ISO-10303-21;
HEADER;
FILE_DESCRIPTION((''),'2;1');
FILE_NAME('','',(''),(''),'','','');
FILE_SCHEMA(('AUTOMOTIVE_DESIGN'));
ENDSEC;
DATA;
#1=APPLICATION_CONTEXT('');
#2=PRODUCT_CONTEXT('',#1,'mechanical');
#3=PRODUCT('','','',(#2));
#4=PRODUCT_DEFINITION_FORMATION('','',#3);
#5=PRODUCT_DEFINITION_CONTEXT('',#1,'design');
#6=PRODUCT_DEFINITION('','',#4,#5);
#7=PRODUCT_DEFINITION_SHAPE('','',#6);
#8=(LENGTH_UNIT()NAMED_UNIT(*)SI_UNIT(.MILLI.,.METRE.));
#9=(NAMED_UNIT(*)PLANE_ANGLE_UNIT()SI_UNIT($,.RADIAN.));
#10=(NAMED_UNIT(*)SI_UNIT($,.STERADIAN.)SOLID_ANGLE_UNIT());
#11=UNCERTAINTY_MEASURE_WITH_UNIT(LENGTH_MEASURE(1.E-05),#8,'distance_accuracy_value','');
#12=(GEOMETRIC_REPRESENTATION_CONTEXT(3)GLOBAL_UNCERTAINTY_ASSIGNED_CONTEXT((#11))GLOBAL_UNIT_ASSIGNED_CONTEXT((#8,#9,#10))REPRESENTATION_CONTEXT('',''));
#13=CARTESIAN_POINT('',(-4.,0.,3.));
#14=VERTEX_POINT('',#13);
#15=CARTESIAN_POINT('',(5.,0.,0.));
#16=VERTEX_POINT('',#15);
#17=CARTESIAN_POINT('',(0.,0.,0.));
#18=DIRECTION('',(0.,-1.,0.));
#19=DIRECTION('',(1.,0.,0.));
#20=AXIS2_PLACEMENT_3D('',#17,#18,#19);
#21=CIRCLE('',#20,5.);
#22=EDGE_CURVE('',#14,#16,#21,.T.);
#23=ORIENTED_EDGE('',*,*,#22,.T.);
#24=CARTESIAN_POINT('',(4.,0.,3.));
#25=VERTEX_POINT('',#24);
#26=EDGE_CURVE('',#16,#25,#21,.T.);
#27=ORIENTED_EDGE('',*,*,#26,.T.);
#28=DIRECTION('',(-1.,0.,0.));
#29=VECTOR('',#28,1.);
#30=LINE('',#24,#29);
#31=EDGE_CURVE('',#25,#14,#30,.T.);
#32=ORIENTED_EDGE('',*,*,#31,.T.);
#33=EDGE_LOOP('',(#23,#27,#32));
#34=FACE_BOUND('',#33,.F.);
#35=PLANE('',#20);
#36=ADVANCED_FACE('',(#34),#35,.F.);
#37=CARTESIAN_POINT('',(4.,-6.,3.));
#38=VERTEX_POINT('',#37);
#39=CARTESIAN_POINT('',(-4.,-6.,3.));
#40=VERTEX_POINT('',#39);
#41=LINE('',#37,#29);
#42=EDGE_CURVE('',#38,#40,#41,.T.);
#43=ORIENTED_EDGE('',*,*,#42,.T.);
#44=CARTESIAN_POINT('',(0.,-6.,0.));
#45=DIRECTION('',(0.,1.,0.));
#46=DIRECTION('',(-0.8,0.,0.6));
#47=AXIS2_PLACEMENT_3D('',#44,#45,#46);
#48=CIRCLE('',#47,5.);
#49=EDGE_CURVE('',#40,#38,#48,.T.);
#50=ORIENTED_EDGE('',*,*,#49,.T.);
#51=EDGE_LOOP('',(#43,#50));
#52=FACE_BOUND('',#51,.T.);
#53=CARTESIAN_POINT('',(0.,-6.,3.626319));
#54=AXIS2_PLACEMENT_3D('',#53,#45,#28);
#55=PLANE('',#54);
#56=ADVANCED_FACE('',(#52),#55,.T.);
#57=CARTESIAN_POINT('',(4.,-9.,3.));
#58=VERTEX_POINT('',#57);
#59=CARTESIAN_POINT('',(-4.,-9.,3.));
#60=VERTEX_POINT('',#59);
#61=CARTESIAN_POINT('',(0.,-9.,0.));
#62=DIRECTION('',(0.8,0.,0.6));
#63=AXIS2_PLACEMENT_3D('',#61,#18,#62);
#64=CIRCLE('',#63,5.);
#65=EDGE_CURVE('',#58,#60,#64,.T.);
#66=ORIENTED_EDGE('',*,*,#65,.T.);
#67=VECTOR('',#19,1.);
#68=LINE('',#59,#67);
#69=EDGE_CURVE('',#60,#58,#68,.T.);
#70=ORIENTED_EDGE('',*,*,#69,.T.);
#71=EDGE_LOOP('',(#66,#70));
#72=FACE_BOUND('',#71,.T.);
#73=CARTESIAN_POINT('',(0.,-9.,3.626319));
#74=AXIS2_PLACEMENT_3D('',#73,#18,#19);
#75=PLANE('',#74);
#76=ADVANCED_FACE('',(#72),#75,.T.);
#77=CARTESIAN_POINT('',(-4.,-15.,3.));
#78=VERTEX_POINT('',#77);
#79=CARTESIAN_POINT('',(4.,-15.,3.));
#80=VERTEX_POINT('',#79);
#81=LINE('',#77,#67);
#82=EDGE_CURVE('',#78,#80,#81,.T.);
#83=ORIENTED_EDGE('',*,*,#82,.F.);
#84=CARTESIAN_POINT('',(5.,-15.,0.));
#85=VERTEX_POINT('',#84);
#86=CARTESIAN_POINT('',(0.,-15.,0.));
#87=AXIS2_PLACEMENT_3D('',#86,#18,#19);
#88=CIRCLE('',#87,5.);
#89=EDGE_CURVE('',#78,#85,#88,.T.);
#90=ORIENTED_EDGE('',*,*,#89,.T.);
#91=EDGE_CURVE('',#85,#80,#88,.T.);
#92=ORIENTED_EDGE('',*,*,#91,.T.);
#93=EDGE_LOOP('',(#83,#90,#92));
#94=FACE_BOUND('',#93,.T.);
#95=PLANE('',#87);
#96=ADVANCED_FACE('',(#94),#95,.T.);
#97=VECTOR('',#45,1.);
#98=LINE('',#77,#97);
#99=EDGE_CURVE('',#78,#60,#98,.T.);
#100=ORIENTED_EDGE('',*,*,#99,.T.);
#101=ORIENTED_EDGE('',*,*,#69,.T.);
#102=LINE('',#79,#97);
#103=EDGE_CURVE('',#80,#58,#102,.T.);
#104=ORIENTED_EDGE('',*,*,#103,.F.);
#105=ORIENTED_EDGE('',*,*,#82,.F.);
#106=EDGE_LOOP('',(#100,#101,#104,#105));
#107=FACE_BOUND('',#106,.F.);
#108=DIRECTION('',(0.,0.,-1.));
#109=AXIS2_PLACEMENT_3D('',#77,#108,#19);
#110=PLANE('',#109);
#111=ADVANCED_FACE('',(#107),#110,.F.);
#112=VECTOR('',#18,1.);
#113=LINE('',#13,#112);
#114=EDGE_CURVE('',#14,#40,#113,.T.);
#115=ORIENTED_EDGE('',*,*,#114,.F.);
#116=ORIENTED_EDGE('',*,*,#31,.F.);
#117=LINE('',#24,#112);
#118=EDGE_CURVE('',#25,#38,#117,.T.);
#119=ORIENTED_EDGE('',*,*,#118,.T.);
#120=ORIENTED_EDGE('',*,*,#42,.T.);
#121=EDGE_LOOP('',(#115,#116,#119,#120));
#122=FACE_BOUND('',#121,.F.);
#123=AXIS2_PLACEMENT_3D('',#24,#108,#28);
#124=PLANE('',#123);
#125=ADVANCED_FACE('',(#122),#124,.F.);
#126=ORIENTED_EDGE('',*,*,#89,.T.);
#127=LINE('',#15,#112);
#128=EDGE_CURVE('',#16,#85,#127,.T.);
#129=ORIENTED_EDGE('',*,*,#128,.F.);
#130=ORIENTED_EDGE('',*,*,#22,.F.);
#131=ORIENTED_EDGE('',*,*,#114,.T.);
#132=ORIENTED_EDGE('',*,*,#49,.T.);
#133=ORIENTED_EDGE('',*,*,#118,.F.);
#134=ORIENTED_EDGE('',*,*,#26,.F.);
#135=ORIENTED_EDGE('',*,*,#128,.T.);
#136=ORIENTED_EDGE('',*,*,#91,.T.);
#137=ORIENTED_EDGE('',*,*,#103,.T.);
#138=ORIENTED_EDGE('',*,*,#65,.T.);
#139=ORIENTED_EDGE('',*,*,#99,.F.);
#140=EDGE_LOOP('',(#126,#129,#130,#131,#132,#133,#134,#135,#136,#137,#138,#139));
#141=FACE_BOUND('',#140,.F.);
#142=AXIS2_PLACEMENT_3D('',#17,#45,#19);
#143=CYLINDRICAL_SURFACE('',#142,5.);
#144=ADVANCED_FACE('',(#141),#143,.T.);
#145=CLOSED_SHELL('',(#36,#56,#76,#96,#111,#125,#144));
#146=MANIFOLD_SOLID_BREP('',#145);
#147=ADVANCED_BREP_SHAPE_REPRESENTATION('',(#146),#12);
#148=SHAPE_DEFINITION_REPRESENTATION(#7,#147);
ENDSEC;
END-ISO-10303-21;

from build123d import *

# Parameters (mm, degrees)
F0_R     = 5
F1_DEPTH = 15
F3_DEPTH = 6
F5_DEPTH = 6


with BuildPart() as f1:
    # F0 (on Front) → F1 (new body)
    with BuildSketch(Plane.XZ):
        Circle(F0_R)
    extrude(amount=F1_DEPTH)

    # F2 (on face) → F3 (cut)
    with BuildSketch(Plane.XZ.offset(15)):
        with BuildLine():
            ThreePointArc((4, 3), (0, 5), (-4, 3))
            Line((-4, 3), (4, 3))
        make_face()
    extrude(amount=-F3_DEPTH, mode=Mode.SUBTRACT)

    # F4 (on face) → F5 (cut)
    with BuildSketch(Plane(origin=(0, 0, 0), x_dir=(-1, 0, 0), z_dir=(0, 1, 0))):
        with BuildLine():
            ThreePointArc((4, 3), (0, 5), (-4, 3))
            Line((-4, 3), (4, 3))
        make_face()
    extrude(amount=-F5_DEPTH, mode=Mode.SUBTRACT)


solid = f1.part
